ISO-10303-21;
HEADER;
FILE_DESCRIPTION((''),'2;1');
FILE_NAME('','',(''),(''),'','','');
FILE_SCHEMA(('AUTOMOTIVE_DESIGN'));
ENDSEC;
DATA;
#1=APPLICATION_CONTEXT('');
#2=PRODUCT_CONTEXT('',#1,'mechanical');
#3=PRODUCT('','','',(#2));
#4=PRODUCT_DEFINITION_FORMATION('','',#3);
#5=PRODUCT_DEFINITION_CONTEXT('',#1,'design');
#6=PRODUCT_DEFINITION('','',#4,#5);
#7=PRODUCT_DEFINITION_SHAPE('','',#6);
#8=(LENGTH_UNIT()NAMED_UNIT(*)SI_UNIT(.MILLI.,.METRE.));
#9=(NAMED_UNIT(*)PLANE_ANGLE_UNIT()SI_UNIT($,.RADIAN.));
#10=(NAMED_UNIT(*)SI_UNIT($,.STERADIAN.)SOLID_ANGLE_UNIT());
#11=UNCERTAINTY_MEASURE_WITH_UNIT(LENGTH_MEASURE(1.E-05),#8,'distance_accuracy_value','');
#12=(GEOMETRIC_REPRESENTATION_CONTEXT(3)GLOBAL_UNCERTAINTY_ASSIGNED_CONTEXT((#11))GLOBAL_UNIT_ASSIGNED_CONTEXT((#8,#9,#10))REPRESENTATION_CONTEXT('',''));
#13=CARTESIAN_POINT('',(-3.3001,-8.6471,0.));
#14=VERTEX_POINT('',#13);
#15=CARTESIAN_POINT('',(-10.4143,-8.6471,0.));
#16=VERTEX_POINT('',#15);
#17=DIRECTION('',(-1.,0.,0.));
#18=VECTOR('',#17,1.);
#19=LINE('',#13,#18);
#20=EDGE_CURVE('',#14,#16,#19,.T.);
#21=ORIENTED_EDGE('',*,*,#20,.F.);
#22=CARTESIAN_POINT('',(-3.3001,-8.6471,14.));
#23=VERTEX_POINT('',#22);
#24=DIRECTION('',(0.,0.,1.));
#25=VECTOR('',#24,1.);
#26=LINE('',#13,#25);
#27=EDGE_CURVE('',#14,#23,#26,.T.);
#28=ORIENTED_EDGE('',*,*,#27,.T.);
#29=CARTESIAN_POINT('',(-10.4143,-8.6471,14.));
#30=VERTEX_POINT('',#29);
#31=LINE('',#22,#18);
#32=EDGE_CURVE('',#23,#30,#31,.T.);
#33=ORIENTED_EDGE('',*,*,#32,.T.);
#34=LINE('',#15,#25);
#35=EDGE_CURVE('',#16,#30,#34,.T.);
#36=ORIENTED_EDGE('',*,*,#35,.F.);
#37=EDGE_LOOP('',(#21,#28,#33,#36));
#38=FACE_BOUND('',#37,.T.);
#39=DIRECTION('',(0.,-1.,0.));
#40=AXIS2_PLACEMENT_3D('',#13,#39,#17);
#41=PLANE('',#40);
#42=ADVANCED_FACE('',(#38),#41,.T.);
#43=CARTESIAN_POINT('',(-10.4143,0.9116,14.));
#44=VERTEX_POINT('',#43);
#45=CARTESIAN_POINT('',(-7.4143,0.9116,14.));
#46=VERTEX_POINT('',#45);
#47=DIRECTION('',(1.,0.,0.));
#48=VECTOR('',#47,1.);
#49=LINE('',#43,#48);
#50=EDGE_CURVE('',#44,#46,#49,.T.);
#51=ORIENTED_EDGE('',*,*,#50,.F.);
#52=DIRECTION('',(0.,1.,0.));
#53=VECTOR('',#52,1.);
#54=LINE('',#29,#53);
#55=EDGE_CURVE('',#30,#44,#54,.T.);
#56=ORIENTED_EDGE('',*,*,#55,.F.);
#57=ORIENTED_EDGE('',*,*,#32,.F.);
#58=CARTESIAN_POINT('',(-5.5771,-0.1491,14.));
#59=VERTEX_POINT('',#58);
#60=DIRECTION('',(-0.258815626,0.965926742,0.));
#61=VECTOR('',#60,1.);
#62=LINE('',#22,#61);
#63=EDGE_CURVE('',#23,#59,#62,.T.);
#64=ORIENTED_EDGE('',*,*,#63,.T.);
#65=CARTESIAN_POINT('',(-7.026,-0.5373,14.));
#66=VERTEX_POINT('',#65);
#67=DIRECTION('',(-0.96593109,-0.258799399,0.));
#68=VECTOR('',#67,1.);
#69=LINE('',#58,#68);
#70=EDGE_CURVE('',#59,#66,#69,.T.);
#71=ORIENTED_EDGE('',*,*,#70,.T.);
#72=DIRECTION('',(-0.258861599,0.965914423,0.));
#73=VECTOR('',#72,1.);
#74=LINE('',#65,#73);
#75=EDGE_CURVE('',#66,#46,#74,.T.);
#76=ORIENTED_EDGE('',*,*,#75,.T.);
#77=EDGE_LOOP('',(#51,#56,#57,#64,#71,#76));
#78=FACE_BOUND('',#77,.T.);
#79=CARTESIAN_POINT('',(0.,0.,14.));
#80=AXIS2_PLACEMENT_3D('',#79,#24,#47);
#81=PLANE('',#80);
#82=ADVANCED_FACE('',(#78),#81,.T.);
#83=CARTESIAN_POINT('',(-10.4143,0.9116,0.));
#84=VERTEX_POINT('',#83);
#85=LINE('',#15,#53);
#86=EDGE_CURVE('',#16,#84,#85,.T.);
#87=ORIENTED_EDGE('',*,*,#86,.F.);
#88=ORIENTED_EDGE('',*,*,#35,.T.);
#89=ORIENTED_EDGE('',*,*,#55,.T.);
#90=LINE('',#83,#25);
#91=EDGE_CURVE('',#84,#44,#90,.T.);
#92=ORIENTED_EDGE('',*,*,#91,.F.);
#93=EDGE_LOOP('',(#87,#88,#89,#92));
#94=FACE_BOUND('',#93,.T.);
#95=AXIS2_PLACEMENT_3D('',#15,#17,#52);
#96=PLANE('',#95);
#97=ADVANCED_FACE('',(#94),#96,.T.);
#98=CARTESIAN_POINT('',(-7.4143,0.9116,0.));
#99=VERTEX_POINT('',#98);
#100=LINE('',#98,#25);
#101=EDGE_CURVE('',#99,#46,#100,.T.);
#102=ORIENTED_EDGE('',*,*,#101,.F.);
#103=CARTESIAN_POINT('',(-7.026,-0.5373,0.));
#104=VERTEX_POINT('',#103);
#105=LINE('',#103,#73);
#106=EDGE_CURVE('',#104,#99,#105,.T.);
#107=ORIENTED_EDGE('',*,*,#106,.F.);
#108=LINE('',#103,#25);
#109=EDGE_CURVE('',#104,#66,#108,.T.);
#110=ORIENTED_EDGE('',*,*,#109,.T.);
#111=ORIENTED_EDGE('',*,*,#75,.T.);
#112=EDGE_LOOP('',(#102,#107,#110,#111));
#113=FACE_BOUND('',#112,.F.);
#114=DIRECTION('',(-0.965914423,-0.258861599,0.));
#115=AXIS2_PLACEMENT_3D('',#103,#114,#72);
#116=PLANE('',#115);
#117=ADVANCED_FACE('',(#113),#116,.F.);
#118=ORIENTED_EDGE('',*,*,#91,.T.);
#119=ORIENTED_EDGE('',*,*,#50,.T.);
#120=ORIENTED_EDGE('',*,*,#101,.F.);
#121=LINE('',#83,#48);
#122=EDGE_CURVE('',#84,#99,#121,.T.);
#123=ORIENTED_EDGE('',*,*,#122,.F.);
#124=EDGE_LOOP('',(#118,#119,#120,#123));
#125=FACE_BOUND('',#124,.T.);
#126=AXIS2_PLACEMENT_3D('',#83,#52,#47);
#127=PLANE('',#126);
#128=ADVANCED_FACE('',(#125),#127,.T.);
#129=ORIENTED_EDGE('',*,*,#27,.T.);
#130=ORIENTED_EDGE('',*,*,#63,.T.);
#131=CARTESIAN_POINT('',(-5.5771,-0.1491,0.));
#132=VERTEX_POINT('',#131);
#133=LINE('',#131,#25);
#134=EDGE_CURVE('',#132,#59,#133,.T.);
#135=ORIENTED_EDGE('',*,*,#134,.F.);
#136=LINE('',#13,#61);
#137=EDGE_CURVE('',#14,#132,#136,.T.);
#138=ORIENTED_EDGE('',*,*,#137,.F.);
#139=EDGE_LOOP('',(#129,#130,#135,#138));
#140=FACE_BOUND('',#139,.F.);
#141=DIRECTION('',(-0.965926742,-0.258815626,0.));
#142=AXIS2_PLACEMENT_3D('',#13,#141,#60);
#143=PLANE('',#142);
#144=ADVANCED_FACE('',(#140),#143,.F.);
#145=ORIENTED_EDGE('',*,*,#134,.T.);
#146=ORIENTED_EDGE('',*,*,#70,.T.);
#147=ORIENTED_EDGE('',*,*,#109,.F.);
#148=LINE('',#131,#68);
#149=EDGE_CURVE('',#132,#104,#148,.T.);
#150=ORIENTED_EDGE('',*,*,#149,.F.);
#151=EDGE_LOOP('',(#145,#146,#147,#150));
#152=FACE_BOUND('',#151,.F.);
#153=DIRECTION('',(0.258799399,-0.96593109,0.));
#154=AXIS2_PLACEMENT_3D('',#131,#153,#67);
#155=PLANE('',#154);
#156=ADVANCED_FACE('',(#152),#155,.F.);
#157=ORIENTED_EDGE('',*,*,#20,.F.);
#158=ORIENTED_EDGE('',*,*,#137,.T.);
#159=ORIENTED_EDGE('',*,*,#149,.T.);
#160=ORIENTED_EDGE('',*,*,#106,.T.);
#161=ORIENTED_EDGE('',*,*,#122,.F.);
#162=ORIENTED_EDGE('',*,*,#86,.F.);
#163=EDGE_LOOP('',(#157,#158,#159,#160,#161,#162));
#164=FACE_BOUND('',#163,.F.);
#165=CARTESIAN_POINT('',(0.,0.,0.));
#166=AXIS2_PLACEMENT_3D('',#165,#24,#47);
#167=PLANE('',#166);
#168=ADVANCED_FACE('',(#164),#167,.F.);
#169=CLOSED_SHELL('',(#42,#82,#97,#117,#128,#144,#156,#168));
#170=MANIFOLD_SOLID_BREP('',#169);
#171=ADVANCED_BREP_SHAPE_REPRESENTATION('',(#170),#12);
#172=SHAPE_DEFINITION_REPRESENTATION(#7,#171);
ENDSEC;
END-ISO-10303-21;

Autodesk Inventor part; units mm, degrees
ref_plane "YZ Plane" through (0, 0, 0) normal (1, 0, 0) x (0, 1, 0)
ref_plane "XZ Plane" through (0, 0, 0) normal (0, 1, 0) x (-1, 0, 0)
ref_plane "XY Plane" through (0, 0, 0) normal (0, 0, 1) x (1, 0, 0)
sketch "Sketch1" plane through (0, 0, 0) normal (0, 0, 1) x (1, 0, 0)
  line L0 (-5.5771, -0.1491) -> (-7.026, -0.5373)
  line L1 (-7.026, -0.5373) -> (-7.4143, 0.9116)
  line L2 (-3.3001, -8.6471) -> (-10.4143, -8.6471)
  line L3 (-10.4143, -8.6471) -> (-10.4143, 0.9116)
  line L4 (-10.4143, 0.9116) -> (-7.4143, 0.9116)
  line L5 (-3.3001, -8.6471) -> (-5.5771, -0.1491)
  dimension "d8" = 3
  dimension "d10" = 75
  dimension "d11" = 8.498
  dimension "d12" = 1.5
  dimension "d13" = 1.5
extrude "Extrusion1" add sketch "Sketch1" along normal blind 14
properties part number "rigid connector"
